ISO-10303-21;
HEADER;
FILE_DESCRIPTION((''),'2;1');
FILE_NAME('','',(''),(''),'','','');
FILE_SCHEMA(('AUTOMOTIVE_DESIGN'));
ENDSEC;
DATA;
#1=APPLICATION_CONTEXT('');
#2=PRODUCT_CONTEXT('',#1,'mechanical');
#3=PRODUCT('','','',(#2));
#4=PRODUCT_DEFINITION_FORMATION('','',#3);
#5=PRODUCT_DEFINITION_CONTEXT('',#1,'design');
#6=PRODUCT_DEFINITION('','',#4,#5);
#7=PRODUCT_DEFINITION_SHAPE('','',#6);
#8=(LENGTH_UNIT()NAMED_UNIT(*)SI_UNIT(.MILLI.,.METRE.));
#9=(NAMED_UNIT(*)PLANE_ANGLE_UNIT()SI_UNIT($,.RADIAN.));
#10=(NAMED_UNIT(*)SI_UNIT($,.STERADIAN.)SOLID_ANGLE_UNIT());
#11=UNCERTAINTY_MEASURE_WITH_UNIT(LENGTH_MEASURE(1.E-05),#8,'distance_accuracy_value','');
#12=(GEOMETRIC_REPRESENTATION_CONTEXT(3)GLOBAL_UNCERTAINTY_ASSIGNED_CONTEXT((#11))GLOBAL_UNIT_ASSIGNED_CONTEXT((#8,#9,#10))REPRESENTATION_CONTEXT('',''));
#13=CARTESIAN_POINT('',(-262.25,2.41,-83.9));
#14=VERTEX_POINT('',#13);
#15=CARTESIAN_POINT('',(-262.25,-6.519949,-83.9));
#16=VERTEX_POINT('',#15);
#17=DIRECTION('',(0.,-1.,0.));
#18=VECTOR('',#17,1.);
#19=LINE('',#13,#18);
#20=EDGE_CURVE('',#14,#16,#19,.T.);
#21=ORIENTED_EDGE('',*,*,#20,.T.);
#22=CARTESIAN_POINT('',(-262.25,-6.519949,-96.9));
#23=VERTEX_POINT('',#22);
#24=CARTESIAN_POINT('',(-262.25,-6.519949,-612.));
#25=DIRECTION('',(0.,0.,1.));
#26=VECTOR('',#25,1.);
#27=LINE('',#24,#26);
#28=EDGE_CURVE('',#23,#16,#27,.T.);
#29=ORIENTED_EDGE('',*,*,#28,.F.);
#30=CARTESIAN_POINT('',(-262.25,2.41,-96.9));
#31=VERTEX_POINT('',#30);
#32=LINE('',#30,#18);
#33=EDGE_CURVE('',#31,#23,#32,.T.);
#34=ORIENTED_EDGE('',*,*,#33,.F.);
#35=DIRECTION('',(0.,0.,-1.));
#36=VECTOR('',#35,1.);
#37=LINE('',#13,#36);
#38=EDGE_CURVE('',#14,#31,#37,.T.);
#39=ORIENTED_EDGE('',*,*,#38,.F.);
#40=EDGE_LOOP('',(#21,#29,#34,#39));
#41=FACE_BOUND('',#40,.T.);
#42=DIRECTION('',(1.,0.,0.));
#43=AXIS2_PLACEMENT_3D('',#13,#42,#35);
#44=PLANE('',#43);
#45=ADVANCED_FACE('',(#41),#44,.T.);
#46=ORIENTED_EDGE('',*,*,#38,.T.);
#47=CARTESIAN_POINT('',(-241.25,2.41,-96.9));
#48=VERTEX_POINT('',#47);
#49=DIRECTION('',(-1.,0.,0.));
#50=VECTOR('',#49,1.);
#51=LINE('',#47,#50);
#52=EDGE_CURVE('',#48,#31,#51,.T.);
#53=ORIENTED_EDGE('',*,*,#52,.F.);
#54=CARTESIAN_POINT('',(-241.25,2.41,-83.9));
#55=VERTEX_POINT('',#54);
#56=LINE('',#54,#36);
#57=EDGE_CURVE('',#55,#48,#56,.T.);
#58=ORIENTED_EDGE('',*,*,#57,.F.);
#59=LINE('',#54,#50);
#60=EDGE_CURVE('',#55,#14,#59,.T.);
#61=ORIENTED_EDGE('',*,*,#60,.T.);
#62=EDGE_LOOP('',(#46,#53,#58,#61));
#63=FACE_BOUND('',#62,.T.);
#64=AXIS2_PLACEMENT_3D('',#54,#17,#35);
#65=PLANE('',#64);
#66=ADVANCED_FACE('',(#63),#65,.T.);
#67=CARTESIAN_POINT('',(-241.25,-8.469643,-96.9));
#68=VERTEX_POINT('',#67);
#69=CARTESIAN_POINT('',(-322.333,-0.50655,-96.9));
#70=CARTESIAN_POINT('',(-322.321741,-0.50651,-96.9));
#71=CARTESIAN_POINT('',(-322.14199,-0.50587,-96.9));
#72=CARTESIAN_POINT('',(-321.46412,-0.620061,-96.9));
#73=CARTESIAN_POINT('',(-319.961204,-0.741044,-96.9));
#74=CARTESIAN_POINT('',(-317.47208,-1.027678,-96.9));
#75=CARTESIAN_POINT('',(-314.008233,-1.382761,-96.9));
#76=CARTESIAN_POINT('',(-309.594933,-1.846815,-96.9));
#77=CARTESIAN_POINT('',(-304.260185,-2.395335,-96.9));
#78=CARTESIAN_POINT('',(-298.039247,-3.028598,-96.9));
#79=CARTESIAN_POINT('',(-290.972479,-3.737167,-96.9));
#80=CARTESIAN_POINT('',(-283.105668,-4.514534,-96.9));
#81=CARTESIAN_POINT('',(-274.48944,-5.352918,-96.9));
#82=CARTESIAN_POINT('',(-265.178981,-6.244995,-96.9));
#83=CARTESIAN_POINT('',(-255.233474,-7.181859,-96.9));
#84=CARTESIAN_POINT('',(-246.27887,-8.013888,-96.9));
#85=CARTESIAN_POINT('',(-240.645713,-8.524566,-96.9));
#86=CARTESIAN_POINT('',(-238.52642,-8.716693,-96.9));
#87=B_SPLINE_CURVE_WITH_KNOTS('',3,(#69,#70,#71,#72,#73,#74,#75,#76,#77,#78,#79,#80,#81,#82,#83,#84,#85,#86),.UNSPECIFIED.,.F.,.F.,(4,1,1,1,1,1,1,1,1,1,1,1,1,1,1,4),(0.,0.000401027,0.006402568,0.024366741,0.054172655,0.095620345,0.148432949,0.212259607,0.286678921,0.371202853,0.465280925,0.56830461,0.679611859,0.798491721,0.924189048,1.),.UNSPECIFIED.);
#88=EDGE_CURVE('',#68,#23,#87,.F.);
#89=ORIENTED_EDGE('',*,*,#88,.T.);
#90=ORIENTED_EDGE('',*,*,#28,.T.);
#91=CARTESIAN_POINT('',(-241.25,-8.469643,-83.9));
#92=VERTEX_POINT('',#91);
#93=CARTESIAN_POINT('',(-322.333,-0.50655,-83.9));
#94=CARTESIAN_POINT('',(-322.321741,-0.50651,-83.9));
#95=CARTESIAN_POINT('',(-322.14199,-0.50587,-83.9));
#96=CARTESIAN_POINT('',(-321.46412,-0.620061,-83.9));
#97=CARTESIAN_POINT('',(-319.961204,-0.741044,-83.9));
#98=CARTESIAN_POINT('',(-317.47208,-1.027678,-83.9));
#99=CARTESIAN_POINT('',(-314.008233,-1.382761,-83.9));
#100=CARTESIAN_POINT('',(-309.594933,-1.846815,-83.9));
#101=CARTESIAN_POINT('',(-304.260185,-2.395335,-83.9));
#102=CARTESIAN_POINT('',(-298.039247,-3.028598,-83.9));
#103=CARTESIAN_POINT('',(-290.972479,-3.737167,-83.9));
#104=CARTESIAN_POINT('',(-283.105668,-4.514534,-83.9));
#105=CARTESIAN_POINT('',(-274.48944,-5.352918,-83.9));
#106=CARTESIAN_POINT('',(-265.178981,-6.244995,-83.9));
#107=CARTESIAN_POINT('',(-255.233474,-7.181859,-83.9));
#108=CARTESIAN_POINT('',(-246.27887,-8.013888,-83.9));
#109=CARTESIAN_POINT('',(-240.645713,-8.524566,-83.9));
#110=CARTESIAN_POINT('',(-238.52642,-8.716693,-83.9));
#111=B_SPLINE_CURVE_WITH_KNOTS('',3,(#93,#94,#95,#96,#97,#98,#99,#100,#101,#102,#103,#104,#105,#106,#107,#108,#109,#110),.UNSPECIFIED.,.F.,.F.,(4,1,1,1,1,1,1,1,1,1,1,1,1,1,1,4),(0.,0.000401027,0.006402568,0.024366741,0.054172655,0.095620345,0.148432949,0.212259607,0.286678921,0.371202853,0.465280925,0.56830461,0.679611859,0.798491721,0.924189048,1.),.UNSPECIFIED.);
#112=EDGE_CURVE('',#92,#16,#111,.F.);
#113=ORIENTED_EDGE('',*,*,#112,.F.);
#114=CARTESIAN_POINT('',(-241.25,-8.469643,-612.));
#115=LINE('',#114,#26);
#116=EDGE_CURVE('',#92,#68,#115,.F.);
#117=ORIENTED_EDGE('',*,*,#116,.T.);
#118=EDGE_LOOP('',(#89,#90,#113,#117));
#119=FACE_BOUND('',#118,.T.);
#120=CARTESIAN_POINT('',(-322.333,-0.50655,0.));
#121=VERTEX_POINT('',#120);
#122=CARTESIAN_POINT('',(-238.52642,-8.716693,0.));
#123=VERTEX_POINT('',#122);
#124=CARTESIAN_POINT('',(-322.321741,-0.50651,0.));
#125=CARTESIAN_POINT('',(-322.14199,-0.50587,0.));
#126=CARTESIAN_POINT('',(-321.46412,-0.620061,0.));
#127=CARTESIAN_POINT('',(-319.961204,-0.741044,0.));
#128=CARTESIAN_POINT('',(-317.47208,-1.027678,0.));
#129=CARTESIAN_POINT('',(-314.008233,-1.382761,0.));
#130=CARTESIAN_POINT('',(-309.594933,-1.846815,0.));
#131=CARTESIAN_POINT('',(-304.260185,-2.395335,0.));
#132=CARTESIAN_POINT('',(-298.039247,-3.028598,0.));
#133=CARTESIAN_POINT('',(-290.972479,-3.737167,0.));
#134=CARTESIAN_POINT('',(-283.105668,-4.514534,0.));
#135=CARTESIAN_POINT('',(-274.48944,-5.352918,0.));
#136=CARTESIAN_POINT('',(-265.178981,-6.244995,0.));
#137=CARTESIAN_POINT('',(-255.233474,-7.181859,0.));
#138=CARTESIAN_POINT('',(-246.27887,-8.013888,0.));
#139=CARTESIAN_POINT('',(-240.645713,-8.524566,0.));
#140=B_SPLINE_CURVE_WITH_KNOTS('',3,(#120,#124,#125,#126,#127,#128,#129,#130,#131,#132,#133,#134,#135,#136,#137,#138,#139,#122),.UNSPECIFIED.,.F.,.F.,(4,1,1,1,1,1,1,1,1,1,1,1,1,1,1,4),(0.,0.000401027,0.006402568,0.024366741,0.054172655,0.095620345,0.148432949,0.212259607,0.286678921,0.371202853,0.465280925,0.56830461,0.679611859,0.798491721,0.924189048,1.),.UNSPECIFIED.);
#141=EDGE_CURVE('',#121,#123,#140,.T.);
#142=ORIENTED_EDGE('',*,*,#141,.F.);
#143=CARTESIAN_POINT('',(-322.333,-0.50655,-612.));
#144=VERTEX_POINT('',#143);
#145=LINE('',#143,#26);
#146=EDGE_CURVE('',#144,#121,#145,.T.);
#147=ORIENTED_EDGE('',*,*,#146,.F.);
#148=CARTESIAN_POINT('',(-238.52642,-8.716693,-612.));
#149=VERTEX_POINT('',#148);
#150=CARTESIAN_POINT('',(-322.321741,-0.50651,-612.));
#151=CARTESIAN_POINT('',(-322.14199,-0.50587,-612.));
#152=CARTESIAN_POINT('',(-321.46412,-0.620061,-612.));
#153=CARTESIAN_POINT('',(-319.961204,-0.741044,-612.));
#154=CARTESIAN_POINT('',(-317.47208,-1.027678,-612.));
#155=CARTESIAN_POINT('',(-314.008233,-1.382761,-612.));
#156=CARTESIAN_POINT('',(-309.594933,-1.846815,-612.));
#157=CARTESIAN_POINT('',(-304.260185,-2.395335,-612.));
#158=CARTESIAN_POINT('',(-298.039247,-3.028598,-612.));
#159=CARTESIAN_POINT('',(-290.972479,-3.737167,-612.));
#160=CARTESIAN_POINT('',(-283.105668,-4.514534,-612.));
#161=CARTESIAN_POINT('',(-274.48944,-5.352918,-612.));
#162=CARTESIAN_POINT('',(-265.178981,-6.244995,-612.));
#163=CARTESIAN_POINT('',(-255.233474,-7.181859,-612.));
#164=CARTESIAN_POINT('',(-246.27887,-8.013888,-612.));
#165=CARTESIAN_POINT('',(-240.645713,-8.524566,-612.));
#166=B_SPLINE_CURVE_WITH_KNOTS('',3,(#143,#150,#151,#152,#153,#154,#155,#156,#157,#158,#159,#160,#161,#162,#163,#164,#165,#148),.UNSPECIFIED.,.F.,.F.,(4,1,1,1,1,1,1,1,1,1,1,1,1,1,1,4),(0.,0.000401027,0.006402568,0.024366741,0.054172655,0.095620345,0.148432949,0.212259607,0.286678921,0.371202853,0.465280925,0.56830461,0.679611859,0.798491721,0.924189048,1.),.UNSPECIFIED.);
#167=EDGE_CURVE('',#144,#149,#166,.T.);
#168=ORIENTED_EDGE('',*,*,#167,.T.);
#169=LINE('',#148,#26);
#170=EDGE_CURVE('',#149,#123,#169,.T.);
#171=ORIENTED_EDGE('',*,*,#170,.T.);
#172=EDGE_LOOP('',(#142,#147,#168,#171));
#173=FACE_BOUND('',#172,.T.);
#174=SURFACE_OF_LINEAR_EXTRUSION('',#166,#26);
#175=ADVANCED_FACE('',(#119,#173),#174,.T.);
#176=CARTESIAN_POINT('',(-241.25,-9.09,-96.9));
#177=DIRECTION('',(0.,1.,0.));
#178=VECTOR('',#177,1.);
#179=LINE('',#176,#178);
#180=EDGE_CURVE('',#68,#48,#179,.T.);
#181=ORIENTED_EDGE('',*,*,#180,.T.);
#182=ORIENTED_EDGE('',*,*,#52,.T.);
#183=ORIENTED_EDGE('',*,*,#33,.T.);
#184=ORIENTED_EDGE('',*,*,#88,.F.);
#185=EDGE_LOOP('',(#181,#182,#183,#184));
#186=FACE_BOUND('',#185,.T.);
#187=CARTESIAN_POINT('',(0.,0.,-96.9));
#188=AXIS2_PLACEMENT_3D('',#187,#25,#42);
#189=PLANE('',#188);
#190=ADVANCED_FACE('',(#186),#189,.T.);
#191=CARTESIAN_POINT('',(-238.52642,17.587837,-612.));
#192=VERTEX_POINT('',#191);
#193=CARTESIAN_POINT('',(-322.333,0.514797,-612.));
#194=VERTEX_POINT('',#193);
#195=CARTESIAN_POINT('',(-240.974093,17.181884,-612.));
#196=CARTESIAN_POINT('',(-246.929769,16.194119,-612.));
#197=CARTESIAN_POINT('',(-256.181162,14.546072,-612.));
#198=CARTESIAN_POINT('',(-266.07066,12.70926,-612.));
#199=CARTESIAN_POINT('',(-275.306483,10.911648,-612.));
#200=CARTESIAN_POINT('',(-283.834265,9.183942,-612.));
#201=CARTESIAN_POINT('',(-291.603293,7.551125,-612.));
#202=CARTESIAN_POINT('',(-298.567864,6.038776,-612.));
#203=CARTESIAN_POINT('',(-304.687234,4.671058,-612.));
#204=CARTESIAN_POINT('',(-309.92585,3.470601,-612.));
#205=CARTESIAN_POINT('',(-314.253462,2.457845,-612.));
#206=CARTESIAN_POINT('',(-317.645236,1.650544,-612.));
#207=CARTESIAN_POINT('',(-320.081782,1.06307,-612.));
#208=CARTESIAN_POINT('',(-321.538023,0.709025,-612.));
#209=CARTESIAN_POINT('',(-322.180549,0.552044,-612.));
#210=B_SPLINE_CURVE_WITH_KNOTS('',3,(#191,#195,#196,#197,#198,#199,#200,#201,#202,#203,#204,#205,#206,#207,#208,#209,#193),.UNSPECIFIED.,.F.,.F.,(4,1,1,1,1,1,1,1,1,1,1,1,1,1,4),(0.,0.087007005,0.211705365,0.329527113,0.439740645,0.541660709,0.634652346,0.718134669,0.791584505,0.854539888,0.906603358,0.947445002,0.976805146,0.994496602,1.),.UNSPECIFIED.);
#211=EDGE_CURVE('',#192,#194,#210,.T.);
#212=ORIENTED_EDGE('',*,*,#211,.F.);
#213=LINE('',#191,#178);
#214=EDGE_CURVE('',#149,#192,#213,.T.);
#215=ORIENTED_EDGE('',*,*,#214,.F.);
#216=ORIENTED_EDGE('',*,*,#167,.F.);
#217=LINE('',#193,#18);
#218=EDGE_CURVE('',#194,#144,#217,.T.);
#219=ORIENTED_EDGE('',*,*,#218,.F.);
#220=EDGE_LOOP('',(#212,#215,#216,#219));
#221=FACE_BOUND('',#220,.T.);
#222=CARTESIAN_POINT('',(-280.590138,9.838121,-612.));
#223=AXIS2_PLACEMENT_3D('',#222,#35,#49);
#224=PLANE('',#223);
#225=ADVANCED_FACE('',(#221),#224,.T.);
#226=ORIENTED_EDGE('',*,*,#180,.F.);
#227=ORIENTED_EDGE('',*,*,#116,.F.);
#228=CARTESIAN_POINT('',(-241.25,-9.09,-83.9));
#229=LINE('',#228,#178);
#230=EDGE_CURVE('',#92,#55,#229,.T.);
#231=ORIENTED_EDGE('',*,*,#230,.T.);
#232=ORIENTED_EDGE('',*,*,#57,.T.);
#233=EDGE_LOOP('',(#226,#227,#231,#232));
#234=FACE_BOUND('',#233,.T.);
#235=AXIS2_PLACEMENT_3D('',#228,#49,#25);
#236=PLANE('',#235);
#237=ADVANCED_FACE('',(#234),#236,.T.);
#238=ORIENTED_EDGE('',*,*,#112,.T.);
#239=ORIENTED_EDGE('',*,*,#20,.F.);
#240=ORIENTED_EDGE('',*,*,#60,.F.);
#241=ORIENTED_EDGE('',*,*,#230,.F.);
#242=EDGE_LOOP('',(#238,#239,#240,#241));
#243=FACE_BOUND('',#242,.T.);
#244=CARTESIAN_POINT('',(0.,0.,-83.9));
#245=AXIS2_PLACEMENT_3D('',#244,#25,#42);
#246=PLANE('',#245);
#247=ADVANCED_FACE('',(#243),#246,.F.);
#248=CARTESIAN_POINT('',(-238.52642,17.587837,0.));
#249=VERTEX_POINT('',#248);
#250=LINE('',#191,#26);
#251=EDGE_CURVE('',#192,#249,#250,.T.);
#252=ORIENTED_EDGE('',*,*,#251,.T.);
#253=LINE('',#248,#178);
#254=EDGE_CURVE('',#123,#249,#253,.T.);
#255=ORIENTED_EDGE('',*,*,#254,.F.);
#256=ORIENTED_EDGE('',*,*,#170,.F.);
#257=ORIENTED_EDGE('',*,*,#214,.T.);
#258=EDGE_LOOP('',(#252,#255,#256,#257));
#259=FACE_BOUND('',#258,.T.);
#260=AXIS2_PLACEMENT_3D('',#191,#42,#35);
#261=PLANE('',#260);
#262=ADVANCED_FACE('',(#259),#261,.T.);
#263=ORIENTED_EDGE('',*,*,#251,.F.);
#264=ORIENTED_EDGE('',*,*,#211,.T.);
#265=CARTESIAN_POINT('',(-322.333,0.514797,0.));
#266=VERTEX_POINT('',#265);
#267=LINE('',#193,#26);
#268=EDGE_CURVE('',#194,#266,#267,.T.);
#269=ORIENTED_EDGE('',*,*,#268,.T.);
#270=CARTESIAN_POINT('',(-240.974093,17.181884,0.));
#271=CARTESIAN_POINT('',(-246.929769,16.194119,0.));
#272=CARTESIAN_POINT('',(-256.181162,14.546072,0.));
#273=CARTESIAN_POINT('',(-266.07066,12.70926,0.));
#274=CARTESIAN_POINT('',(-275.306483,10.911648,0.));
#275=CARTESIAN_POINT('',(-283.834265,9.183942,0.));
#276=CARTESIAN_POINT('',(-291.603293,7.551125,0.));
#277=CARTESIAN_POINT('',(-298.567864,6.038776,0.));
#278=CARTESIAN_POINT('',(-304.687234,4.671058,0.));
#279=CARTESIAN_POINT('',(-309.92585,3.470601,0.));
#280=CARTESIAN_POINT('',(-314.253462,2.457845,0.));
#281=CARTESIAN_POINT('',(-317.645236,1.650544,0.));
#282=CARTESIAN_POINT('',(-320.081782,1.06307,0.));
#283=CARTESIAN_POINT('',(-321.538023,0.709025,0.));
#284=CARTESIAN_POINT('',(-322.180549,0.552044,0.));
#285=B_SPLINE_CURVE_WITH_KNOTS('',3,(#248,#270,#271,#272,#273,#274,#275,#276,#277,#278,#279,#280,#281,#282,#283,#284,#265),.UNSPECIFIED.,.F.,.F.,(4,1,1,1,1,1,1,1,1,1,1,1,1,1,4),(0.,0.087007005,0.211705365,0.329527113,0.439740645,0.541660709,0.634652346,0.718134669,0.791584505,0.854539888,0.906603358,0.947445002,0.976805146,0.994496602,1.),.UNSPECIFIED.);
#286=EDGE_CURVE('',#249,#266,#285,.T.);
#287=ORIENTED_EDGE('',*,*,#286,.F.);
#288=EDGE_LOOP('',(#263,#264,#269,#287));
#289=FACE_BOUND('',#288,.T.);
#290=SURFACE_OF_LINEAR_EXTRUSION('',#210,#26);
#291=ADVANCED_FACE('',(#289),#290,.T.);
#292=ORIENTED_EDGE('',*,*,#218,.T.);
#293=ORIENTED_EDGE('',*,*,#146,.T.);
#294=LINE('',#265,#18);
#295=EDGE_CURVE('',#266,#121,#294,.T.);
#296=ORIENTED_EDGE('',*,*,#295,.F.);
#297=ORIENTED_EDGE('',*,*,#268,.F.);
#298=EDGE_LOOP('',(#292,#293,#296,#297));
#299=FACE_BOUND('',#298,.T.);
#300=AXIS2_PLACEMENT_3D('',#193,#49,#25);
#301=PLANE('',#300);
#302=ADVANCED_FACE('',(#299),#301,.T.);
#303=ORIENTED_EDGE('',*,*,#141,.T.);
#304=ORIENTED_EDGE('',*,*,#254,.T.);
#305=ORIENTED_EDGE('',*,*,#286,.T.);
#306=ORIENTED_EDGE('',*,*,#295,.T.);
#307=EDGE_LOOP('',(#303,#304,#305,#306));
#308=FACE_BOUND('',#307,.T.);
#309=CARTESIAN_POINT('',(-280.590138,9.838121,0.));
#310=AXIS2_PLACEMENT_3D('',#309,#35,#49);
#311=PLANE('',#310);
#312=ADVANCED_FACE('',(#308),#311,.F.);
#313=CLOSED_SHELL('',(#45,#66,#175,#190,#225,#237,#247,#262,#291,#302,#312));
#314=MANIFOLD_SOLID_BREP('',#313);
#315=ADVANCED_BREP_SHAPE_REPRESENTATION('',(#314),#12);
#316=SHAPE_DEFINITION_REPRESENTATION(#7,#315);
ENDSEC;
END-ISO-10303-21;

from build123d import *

# Parameters (mm, degrees)
BOSS_EXTRUDE1_DEPTH = 612
SKETCH2_W           = 21
SKETCH2_H           = 11.5
CUT_EXTRUDE1_DEPTH  = 13


with BuildPart() as part:
    # Sketch1 → Boss-Extrude1 (new body)
    with BuildSketch(Plane.XY):
        with BuildLine():
            Line((-238.52642, 17.587837008), (-238.52642, -8.716692608))
            add(Edge.make_bspline(
                [(-238.52642, -8.716692608), (-240.645712689, -8.524566336), (-246.278870054, -8.013887689), (-255.233473928, -7.18185892), (-265.178981162, -6.244995156), (-274.489440352, -5.352918296), (-283.105667881, -4.514534117), (-290.972478701, -3.737166797), (-298.039247243, -3.028597664), (-304.260184656, -2.395334726), (-309.594932864, -1.846814637), (-314.008232694, -1.382760705), (-317.472079994, -1.027677659), (-319.961203892, -0.741044399), (-321.464120443, -0.620061141), (-322.14198951, -0.505870173), (-322.321741193, -0.506509982), (-322.333, -0.506550056)],
                knots=[0, 0, 0, 0, 0.075810952, 0.201508279, 0.320388141, 0.43169539, 0.534719075, 0.628797147, 0.713321079, 0.787740393, 0.851567051, 0.904379655, 0.945827345, 0.975633259, 0.993597432, 0.999598973, 1, 1, 1, 1], degree=3))
            Line((-322.333, -0.506550056), (-322.333, 0.514797488))
            add(Edge.make_bspline(
                [(-238.52642, 17.587837008), (-240.97409295, 17.181883875), (-246.929768524, 16.194119087), (-256.181161896, 14.546071568), (-266.070660074, 12.709259674), (-275.306483123, 10.911648489), (-283.834265101, 9.183942037), (-291.603292923, 7.551124985), (-298.5678643, 6.038775613), (-304.687234381, 4.671057654), (-309.925850127, 3.470601465), (-314.253461718, 2.457844812), (-317.645235976, 1.650544322), (-320.081782459, 1.063070487), (-321.538022536, 0.709024901), (-322.180548986, 0.552044036), (-322.333, 0.514797488)],
                knots=[0, 0, 0, 0, 0.087007005, 0.211705365, 0.329527113, 0.439740645, 0.541660709, 0.634652346, 0.718134669, 0.791584505, 0.854539888, 0.906603358, 0.947445002, 0.976805146, 0.994496602, 1, 1, 1, 1], degree=3))
        make_face()
    extrude(amount=-BOSS_EXTRUDE1_DEPTH)

    # Sketch2 → Cut-Extrude1 (cut)
    with BuildSketch(Plane.XY.offset(-96.9)):
        with Locations((-251.75, -3.34)):
            Rectangle(SKETCH2_W, SKETCH2_H)
    extrude(amount=CUT_EXTRUDE1_DEPTH, mode=Mode.SUBTRACT)


solid = part.part
